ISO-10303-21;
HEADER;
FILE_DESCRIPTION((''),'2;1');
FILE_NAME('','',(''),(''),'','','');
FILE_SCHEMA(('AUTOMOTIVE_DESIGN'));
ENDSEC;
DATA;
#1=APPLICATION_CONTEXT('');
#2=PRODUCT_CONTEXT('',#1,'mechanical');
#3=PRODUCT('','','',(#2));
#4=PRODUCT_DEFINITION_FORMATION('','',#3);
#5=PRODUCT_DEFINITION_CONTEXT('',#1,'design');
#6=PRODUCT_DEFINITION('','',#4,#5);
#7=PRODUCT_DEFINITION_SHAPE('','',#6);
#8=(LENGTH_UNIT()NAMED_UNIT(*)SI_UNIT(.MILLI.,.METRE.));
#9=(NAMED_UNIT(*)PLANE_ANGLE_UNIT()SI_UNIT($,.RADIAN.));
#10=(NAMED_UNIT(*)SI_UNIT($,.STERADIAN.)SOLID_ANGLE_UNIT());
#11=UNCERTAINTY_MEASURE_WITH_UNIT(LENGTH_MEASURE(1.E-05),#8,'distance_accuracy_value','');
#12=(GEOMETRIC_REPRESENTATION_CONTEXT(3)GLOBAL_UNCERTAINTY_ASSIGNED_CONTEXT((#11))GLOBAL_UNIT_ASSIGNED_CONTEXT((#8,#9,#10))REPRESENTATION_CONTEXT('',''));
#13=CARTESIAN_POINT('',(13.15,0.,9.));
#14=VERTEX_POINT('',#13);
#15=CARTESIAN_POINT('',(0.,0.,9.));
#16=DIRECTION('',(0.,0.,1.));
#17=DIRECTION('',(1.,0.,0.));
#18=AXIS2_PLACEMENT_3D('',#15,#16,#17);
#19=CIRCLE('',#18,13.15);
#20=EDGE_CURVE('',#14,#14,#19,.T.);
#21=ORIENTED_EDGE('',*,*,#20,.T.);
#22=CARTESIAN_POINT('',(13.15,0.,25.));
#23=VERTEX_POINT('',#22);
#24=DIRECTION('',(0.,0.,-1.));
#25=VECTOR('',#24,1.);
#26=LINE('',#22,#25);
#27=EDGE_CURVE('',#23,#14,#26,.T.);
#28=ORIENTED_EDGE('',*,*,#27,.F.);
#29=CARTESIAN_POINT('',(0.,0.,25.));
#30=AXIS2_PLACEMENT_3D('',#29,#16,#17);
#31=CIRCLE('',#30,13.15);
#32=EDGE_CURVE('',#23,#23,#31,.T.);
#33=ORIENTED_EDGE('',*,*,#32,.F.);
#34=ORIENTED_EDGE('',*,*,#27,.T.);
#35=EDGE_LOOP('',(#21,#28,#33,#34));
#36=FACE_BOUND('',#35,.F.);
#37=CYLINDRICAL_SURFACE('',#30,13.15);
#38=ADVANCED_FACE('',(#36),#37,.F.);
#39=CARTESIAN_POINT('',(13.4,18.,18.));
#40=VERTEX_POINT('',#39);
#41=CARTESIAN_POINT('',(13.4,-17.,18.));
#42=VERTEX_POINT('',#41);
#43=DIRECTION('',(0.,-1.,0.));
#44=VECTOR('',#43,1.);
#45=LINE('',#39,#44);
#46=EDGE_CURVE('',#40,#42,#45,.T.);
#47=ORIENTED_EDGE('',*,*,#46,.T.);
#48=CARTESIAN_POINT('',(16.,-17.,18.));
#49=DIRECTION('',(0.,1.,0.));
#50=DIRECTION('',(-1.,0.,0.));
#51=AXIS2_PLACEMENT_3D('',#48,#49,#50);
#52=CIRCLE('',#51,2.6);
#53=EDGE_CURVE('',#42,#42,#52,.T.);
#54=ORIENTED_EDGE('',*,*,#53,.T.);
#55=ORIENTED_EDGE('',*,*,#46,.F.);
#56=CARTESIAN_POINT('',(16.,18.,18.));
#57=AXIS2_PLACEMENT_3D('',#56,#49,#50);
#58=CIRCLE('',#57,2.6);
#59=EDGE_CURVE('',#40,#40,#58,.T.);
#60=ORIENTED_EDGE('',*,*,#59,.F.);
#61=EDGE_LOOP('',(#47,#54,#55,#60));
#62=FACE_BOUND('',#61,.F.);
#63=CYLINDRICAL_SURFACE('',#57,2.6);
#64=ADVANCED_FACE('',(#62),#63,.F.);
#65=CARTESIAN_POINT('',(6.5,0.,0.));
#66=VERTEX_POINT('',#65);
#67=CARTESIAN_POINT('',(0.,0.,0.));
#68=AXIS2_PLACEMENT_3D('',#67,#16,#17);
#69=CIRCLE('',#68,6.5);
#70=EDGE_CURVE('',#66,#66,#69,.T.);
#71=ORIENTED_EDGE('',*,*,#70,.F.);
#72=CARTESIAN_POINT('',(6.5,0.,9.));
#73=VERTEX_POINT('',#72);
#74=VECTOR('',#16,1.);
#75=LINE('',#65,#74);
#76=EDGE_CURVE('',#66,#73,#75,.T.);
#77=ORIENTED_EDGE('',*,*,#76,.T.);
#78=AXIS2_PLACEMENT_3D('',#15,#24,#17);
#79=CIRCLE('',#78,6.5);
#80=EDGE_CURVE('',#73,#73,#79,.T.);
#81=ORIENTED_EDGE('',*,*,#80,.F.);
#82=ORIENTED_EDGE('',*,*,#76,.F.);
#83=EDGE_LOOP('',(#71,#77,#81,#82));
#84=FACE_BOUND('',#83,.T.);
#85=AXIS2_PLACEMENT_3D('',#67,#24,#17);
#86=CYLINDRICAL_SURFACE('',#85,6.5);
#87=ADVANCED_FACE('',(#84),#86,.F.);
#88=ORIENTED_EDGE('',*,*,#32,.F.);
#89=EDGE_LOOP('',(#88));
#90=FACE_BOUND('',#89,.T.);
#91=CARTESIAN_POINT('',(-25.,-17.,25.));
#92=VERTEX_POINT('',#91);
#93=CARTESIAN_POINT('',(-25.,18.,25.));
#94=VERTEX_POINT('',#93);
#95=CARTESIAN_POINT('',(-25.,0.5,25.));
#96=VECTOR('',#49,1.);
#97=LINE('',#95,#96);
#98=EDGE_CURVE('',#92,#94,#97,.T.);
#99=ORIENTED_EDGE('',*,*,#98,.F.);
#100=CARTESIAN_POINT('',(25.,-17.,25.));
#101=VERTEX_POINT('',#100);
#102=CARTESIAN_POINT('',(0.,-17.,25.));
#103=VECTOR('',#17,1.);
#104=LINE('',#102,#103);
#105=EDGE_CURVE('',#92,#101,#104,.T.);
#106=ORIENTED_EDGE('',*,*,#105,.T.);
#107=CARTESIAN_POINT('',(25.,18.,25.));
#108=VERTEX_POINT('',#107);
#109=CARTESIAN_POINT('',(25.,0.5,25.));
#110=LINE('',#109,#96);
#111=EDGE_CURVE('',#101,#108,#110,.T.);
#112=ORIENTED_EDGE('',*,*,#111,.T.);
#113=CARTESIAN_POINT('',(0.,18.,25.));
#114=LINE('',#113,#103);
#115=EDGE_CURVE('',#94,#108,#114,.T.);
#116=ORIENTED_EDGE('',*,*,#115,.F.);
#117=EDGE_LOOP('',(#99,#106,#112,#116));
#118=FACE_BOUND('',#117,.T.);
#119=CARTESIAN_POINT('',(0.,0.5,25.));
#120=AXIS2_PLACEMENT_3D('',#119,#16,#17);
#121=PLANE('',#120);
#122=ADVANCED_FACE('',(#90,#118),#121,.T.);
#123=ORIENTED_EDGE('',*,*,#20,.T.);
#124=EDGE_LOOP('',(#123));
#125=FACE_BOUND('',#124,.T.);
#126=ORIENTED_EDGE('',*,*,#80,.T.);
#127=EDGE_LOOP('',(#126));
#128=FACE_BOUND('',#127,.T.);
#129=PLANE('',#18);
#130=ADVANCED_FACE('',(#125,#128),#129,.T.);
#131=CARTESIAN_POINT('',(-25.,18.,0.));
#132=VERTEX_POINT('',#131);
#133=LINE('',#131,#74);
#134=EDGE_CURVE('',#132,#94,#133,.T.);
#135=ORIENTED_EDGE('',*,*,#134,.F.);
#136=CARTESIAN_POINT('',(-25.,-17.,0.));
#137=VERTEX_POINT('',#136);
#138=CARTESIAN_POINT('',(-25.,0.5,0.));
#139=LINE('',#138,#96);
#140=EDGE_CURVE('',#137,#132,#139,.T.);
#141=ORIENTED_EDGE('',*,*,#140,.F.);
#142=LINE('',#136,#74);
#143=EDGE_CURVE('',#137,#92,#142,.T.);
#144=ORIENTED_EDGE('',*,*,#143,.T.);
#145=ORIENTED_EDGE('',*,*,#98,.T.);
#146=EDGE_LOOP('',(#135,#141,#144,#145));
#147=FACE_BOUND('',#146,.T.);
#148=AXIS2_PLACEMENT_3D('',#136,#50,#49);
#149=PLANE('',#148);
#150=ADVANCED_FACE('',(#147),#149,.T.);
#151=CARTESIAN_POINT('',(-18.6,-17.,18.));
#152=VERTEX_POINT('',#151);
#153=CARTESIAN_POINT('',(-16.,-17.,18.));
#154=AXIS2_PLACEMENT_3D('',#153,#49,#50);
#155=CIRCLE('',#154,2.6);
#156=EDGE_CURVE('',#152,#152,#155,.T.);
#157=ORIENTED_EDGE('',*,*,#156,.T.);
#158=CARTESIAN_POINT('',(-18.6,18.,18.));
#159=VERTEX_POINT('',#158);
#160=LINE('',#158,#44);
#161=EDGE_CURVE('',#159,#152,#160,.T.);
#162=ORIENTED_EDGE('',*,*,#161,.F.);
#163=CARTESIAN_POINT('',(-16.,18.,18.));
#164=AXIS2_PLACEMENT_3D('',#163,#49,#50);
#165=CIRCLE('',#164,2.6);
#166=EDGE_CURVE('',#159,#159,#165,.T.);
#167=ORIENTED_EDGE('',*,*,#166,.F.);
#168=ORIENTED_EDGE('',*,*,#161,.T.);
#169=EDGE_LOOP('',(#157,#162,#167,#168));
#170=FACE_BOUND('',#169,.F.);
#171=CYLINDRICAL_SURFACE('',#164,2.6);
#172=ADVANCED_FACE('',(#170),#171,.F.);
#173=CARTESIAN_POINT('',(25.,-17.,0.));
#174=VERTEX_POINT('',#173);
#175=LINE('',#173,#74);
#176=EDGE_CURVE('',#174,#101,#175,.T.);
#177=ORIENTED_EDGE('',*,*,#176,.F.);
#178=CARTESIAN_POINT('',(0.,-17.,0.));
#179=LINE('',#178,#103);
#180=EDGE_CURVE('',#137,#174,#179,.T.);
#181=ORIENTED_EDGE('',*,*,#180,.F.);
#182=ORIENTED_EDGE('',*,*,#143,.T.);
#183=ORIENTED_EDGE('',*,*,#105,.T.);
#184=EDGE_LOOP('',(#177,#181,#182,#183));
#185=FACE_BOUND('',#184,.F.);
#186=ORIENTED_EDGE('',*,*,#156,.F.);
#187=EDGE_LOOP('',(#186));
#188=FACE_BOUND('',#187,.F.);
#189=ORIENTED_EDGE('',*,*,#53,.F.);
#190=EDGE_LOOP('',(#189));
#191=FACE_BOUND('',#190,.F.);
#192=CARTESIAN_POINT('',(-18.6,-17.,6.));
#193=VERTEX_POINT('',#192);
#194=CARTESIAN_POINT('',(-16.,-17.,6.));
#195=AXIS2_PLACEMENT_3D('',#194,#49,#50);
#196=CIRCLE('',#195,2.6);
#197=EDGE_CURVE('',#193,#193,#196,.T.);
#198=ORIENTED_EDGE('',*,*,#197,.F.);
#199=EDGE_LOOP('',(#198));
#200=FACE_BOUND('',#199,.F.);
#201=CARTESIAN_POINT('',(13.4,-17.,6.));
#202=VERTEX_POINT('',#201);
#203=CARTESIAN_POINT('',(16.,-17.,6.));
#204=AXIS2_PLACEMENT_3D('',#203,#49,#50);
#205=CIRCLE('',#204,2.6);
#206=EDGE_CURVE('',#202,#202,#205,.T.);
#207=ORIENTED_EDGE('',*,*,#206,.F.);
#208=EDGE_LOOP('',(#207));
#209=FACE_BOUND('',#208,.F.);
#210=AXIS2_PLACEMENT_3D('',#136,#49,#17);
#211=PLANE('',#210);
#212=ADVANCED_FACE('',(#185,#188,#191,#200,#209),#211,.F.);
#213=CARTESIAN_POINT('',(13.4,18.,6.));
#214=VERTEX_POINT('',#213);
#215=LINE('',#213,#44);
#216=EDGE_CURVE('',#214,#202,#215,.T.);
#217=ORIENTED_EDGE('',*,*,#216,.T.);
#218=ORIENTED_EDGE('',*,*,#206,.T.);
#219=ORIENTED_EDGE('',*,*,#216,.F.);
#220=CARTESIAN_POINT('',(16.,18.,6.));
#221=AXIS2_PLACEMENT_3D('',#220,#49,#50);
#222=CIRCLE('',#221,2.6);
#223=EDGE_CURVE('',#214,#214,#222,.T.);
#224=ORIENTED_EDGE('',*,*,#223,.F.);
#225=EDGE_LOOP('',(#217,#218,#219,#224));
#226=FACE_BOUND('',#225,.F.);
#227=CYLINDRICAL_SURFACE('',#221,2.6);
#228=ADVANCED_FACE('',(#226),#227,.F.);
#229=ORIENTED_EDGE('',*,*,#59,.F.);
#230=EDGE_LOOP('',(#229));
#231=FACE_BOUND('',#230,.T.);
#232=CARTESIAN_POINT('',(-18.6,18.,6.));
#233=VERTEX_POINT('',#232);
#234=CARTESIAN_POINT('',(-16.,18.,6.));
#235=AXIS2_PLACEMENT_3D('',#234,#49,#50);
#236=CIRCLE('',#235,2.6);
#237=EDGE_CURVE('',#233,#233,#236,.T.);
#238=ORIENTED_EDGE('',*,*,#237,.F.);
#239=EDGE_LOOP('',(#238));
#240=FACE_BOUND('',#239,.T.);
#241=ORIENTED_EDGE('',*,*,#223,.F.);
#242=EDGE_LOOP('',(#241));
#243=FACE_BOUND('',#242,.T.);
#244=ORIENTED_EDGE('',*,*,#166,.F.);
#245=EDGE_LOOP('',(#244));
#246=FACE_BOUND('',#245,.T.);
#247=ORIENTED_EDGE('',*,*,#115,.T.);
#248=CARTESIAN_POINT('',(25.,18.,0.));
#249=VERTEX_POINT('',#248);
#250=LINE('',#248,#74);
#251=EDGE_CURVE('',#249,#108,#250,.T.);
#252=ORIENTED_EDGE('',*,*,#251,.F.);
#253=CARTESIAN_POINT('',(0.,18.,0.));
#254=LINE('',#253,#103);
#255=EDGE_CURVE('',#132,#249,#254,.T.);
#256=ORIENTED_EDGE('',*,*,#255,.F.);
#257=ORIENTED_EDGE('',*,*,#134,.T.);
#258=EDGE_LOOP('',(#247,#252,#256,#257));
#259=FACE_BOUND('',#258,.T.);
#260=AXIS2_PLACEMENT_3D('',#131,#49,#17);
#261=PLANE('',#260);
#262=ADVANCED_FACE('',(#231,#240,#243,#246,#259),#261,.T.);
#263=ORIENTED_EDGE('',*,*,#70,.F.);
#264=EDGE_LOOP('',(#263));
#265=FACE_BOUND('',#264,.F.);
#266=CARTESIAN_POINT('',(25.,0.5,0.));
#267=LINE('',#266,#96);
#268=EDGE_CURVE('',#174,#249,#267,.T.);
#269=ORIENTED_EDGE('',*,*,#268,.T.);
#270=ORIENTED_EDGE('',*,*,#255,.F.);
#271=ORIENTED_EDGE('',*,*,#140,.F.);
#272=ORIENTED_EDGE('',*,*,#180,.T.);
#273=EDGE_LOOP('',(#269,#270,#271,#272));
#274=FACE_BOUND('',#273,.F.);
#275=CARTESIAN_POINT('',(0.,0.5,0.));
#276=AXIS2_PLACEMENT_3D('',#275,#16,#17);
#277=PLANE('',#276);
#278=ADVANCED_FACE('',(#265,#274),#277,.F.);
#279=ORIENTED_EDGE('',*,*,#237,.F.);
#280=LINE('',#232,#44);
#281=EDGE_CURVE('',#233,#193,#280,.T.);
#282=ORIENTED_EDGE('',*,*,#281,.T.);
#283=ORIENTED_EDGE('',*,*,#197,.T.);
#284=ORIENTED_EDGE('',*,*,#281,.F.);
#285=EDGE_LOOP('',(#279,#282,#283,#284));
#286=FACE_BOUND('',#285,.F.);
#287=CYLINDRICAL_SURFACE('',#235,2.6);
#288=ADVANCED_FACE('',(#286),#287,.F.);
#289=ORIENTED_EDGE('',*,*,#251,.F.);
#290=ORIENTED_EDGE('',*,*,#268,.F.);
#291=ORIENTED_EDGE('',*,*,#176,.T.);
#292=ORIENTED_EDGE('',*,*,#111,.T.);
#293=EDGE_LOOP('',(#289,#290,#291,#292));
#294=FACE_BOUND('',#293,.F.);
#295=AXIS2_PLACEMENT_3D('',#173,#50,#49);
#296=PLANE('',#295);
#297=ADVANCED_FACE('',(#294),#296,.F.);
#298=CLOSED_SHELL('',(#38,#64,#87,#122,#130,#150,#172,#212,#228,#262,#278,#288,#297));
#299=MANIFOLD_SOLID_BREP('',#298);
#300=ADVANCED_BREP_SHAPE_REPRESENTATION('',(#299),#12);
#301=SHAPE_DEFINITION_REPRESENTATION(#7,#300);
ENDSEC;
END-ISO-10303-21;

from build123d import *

# Parameters (mm, degrees)
SKETCH_W        = 50
SKETCH_H        = 35
SKETCH_R        = 6.5
PAD_DEPTH       = 25
SKETCH001_R     = 13.15
POCKET_DEPTH    = 16
SKETCH002_R     = 2.6
POCKET001_DEPTH = 35.001


with BuildPart() as part:
    # Sketch → Pad (new body)
    with BuildSketch(Plane.XY):
        with Locations((0, 0.5)):
            Rectangle(SKETCH_W, SKETCH_H)
        Circle(SKETCH_R, mode=Mode.SUBTRACT)
    extrude(amount=PAD_DEPTH)

    # Sketch001 (on Face7 of Pad) → Pocket (cut)
    with BuildSketch(Plane.XY.offset(25)):
        Circle(SKETCH001_R)
    extrude(amount=-POCKET_DEPTH, mode=Mode.SUBTRACT)

    # Sketch002 (on Face1 of Pocket) → Pocket001 (cut, through all)
    with BuildSketch(Plane(origin=(0, 18, 0), x_dir=(-1, 0, 0), z_dir=(0, 1, 0))):
        with Locations((-16, 6)):
            Circle(SKETCH002_R)
        with Locations((16, 6)):
            Circle(SKETCH002_R)
        with Locations((-16, 18)):
            Circle(SKETCH002_R)
        with Locations((16, 18)):
            Circle(SKETCH002_R)
    extrude(amount=-POCKET001_DEPTH, mode=Mode.SUBTRACT)


solid = part.part
